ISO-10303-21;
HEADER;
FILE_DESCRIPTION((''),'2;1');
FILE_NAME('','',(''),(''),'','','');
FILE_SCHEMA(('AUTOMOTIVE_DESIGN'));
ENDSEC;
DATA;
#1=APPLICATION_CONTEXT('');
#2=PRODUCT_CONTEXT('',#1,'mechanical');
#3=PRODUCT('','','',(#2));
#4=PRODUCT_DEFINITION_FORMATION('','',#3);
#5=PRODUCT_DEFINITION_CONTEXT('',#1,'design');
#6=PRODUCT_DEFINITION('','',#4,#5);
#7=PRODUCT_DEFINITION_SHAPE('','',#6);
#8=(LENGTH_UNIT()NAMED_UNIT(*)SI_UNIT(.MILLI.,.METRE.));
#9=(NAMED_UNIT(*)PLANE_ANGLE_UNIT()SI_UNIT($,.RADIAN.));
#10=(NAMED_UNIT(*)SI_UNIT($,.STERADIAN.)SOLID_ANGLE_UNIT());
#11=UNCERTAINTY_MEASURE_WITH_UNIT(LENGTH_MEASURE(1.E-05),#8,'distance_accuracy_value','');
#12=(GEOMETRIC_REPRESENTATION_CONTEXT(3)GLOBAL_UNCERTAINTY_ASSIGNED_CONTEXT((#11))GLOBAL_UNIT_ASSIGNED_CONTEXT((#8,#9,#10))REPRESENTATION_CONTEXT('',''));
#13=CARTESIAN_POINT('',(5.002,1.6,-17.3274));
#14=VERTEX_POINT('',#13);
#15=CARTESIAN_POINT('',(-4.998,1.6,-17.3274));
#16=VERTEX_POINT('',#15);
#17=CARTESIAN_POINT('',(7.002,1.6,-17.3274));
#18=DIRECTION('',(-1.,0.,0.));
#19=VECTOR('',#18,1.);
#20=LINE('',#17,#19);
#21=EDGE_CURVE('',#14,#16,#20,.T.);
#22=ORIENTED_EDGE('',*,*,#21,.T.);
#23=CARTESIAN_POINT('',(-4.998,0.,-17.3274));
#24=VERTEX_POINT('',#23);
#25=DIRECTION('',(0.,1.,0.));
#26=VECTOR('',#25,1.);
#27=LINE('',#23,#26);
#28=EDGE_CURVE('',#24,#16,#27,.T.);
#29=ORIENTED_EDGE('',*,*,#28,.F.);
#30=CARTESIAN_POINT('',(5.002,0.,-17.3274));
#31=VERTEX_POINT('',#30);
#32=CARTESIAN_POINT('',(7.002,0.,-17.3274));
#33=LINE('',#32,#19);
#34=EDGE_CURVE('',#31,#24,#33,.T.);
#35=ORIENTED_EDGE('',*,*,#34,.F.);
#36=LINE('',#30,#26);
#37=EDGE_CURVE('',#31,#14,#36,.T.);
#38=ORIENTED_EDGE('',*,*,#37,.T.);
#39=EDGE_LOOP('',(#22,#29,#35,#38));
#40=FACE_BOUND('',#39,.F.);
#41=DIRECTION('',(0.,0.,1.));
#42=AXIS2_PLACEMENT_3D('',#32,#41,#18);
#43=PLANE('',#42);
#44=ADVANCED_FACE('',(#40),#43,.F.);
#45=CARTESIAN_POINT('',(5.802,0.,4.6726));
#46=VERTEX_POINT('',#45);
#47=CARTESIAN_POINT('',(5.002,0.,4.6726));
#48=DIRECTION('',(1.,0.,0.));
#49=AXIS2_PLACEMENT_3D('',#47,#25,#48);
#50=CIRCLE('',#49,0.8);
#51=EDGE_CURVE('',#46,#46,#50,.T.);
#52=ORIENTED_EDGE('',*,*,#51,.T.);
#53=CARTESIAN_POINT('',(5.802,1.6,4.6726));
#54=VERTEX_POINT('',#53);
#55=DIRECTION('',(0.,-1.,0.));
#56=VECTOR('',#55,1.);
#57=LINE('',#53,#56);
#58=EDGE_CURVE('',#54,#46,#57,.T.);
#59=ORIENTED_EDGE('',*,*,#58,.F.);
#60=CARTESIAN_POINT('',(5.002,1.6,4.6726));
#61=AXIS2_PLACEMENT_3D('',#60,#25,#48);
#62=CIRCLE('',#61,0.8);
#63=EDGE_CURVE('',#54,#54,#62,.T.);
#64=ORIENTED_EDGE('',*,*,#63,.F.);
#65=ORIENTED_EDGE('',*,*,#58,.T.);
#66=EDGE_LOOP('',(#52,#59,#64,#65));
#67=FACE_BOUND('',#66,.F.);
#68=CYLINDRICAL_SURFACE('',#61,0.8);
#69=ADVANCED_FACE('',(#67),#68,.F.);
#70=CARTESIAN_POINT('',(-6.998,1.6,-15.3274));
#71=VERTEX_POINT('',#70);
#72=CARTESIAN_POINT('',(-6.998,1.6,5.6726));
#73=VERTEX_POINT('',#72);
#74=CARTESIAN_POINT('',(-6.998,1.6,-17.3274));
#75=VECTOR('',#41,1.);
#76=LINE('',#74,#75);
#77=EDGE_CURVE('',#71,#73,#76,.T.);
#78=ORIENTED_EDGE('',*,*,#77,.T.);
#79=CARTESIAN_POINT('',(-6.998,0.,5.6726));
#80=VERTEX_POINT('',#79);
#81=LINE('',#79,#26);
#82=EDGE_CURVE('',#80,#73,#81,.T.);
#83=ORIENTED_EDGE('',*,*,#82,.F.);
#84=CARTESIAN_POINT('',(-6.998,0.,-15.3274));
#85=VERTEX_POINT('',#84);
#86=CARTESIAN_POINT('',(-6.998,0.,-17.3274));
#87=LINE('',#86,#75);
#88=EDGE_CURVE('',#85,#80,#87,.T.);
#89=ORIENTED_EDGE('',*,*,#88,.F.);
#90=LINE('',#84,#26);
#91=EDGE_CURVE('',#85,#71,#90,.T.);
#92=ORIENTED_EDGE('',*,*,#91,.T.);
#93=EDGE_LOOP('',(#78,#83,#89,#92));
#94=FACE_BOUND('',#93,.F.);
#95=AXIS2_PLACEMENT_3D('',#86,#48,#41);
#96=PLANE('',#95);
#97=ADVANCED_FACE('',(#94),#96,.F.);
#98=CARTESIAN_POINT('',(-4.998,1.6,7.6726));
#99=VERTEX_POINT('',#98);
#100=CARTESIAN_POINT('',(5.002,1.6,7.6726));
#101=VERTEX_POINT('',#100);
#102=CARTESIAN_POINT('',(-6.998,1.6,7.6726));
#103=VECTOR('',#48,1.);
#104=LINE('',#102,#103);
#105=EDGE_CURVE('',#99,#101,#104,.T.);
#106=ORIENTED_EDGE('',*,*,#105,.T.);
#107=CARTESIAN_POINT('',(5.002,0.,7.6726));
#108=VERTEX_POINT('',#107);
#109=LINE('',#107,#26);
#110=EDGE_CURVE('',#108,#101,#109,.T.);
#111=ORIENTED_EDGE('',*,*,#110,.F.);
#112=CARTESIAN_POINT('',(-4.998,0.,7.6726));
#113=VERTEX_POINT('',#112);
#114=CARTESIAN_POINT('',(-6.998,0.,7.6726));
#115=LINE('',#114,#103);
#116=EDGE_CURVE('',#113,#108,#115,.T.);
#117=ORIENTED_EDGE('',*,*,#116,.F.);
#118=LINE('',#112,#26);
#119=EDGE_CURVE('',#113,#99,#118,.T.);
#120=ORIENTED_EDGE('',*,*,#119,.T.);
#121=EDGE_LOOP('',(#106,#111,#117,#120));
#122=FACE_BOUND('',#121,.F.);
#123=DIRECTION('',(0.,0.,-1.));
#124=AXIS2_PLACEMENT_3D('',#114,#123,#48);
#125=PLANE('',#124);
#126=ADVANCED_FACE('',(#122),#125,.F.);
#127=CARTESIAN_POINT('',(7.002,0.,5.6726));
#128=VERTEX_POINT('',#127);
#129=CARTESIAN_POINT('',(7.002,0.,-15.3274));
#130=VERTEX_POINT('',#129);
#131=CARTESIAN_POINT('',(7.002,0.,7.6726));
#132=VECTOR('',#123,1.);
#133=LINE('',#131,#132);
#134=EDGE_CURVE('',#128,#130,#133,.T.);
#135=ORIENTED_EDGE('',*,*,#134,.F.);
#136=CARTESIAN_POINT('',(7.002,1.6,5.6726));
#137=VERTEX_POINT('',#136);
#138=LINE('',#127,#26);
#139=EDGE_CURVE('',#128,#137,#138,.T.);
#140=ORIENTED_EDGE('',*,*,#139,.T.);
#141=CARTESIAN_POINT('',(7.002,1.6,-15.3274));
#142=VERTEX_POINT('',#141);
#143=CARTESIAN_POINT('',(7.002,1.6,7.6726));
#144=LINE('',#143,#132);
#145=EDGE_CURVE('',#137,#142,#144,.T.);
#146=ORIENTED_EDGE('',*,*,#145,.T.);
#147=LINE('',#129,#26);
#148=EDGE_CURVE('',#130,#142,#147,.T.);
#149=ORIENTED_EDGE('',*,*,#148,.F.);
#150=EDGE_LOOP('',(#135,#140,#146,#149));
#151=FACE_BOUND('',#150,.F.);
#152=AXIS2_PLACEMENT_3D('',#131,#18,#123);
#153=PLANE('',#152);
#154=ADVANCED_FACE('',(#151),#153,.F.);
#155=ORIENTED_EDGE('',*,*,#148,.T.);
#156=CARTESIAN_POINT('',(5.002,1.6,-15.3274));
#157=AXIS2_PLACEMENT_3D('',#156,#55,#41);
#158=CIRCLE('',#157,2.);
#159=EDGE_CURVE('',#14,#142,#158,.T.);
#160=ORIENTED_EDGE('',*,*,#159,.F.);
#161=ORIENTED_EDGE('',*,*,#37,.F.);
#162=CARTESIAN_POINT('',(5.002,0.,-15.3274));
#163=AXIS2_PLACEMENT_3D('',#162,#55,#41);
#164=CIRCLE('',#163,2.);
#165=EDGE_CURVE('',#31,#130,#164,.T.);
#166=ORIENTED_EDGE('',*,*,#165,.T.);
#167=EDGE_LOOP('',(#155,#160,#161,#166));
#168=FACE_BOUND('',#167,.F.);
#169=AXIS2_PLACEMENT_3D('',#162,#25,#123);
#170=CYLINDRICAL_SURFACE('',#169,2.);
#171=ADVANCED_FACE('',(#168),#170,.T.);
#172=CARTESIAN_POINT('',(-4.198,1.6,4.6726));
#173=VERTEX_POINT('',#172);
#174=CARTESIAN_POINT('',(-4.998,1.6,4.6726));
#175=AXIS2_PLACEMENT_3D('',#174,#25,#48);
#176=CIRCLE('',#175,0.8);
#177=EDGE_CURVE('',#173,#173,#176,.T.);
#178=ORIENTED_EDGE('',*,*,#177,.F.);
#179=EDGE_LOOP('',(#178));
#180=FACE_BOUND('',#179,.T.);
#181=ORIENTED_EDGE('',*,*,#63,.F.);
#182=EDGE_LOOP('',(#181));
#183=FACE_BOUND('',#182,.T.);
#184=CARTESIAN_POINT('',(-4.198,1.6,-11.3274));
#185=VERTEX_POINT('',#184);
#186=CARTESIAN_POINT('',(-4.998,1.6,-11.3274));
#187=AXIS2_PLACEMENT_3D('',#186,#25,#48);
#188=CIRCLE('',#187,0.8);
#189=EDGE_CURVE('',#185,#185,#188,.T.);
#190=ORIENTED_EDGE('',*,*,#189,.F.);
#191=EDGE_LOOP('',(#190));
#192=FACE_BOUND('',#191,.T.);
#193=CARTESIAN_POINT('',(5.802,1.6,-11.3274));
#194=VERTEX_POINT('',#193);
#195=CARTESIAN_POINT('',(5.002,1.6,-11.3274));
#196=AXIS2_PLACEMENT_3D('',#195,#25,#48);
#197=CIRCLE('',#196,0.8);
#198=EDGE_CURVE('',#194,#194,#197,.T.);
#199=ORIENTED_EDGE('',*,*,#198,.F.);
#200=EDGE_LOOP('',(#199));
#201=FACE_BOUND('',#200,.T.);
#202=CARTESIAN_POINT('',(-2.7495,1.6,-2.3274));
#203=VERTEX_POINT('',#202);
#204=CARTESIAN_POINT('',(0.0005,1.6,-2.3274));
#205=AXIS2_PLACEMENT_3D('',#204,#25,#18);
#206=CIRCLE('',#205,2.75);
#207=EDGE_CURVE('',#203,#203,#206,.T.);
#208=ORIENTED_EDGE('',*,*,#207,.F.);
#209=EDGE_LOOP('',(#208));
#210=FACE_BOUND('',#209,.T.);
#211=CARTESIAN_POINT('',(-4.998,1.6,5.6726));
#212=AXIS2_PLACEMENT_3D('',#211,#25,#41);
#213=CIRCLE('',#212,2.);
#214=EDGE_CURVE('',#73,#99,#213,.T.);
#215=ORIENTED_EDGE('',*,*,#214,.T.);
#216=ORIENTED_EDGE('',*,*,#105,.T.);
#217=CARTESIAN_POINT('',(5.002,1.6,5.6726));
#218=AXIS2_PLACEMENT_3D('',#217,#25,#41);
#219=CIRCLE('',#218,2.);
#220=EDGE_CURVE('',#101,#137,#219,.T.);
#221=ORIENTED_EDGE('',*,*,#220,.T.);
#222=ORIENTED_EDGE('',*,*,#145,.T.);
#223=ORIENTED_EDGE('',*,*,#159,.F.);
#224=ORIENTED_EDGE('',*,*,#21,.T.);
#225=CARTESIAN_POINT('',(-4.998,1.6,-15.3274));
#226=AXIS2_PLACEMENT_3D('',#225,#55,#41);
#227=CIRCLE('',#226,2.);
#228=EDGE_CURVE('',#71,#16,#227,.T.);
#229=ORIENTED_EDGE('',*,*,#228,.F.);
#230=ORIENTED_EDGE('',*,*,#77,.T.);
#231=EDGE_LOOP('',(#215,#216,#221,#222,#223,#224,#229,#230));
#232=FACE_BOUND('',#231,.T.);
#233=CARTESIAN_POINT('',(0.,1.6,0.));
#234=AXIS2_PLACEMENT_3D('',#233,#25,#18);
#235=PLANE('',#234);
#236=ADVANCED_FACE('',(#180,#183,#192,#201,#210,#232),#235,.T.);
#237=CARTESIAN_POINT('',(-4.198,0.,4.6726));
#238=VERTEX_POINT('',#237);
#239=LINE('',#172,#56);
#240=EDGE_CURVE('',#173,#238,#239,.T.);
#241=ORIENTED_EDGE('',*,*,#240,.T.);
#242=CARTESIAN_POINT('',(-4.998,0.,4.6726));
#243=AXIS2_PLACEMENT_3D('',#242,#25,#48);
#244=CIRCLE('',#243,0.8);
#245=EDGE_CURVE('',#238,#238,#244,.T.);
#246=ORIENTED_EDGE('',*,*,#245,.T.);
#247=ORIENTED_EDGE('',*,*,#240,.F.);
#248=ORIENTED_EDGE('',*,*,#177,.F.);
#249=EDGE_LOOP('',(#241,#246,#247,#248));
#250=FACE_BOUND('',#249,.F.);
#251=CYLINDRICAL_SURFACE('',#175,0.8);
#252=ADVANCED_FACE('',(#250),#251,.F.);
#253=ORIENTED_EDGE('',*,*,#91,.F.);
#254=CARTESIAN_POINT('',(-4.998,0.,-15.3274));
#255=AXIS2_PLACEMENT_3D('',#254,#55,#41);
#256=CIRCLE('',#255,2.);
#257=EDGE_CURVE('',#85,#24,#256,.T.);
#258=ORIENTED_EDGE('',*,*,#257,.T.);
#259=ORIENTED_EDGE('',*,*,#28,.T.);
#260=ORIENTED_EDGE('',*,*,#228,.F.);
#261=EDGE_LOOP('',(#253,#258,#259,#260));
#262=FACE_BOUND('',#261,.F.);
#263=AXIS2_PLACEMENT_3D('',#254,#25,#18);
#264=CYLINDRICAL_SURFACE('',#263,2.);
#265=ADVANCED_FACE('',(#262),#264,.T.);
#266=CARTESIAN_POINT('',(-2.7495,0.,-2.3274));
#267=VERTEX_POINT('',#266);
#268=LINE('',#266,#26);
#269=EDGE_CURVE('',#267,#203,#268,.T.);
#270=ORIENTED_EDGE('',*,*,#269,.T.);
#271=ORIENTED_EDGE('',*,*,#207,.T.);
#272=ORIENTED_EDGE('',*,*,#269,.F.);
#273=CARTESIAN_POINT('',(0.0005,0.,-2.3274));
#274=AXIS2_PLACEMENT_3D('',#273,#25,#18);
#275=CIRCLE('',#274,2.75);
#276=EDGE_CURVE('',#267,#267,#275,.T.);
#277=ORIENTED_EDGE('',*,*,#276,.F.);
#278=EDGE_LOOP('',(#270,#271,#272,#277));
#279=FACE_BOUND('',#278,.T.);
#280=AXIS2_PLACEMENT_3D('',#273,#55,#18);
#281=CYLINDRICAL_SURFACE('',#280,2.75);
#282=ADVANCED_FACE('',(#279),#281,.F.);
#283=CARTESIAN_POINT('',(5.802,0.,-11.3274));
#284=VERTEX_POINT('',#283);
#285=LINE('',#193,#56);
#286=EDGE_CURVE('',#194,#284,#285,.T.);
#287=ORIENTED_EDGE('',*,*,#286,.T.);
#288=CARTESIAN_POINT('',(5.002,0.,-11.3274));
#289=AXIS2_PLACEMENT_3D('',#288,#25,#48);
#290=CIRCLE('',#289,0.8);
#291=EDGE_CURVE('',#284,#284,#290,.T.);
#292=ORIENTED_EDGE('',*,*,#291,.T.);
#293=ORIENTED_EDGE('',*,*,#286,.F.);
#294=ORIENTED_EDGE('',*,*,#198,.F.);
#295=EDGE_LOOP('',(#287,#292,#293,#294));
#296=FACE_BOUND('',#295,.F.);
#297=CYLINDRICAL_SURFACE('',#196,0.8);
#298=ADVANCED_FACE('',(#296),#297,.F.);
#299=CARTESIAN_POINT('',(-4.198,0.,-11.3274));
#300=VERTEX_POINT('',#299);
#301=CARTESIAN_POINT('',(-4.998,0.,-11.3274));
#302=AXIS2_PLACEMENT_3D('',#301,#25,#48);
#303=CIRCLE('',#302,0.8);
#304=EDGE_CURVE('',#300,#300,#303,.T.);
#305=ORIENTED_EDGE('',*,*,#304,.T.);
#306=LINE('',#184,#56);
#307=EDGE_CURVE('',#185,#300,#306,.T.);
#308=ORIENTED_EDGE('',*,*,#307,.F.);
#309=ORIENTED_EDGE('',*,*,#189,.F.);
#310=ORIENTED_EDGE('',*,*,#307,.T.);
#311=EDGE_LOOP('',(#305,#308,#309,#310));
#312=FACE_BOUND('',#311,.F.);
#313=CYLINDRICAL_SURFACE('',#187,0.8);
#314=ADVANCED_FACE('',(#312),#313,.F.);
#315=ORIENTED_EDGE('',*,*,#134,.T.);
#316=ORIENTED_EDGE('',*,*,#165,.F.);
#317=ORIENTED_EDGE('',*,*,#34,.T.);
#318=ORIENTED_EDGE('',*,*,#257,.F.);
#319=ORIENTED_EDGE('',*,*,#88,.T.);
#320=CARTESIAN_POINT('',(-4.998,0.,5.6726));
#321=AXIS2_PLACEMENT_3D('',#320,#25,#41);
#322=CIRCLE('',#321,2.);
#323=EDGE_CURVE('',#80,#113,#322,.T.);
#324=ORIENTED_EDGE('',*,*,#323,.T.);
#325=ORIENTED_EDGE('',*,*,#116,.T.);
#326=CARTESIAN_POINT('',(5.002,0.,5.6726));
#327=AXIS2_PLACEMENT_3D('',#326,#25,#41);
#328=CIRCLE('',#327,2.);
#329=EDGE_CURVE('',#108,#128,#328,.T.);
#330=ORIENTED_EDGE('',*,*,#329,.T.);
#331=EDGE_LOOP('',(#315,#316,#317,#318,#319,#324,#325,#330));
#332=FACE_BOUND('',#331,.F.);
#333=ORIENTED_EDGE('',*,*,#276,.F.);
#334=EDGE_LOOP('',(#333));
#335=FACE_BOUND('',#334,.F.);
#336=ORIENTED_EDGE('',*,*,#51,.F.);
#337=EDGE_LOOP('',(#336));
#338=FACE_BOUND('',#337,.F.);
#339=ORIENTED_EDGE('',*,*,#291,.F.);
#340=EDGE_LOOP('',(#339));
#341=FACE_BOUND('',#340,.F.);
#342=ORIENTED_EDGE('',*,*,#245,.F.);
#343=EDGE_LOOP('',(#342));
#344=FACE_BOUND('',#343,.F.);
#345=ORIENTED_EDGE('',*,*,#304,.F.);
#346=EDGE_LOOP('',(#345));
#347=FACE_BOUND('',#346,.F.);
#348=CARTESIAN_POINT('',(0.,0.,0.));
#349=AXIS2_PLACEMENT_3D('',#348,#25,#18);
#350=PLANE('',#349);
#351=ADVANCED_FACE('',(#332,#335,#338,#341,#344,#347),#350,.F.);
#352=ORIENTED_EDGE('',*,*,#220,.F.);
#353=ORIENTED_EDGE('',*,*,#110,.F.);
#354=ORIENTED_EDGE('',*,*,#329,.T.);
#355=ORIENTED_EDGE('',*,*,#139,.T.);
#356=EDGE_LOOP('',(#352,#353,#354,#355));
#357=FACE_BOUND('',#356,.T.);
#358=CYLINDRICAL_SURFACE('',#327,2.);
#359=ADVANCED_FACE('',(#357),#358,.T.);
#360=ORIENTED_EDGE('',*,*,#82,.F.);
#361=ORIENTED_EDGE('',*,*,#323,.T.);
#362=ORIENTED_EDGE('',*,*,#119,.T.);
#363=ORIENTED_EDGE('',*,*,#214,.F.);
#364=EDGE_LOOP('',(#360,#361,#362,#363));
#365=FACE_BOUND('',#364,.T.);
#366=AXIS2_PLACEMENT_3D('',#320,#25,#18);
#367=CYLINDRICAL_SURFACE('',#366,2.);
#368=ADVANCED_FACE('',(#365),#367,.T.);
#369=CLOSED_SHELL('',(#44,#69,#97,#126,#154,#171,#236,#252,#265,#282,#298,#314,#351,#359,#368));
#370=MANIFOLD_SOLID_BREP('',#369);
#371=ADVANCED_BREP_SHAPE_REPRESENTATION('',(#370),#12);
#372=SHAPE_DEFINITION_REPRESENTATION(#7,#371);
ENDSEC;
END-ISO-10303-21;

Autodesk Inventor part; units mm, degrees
ref_plane "YZ Plane" through (0, 0, 0) normal (1, 0, 0) x (0, 1, 0)
ref_plane "XZ Plane" through (0, 0, 0) normal (0, 1, 0) x (-1, 0, 0)
ref_plane "XY Plane" through (0, 0, 0) normal (0, 0, 1) x (1, 0, 0)
sketch "Sketch1" plane through (0, 0, 0) normal (0, 1, 0) x (-1, 0, 0)
  line L0 (-4.5005, -6.5) -> (-3.283, -6.5)
  line L1 (-3.283, -6.5) -> (-2.9693, -6.948)
  line L2 (-2.9693, -6.948) -> (-2.9693, -8.2299)
  line L3 (-2.9693, -8.2299) -> (-2.0718, -8.2299)
  line L4 (-2.0718, -8.2299) -> (-2.0718, -7.0351)
  line L5 (-2.0718, -7.0351) -> (-1.8086, -6.5)
  line L6 (-1.8086, -6.5) -> (-0.6909, -6.5)
  line L7 (-0.6909, -6.5) -> (-0.4278, -7.0351)
  line L8 (-0.4278, -7.0351) -> (-0.4278, -8.2299)
  line L9 (-0.4278, -8.2299) -> (0.4698, -8.2299)
  line L10 (0.4698, -8.2299) -> (0.4698, -6.948)
  line L11 (0.4698, -6.948) -> (0.7835, -6.5)
  line L12 (0.7835, -6.5) -> (1.8077, -6.5)
  line L13 (1.8077, -6.5) -> (2.0708, -7.0351)
  line L14 (2.0708, -7.0351) -> (2.0708, -8.2299)
  line L15 (2.0708, -8.2299) -> (2.9683, -8.2299)
  line L16 (2.9683, -8.2299) -> (2.9683, -6.948)
  line L17 (2.9683, -6.948) -> (3.2821, -6.5)
  line L18 (3.2821, -6.5) -> (4.4995, -6.5)
  line L19 (4.4995, -6.5) -> (5.4995, -5.5)
  line L20 (5.4995, -5.5) -> (5.4995, 1.9247)
  line L21 (5.4995, 1.9247) -> (2.4995, 5.5)
  line L22 (2.4995, 5.5) -> (0.4698, 5.5)
  line L23 (0.4698, 5.5) -> (0.4698, 6.6191)
  line L24 (0.4698, 6.6191) -> (-0.4278, 6.6191)
  line L25 (-0.4278, 6.6191) -> (-0.4278, 5.5)
  line L26 (-0.4278, 5.5) -> (-2.5005, 5.5)
  line L27 (-2.5005, 5.5) -> (-5.5005, 1.9247)
  line L28 (-5.5005, 1.9247) -> (-5.5005, -5.5)
  line L29 (-5.5005, -5.5) -> (-4.5005, -6.5)
  circle A0 centre (-0.0005, -2.3274) radius 0.7145
  line L30 (6.998, 7.6726) -> (-7.002, 7.6726)
  line L31 (-7.002, 7.6726) -> (-7.002, -17.3274)
  line L32 (-7.002, -17.3274) -> (6.998, -17.3274)
  line L33 (6.998, -17.3274) -> (6.998, 7.6726)
  circle A1 centre (-0.0005, -2.3274) radius 2.75
  line L34 (-0.002, -21.2436) -> (-0.002, 13.4129) construction
  point P0 (-0.002, -0.846)
  dimension "d0" = 14
  dimension "d1" = 25
  dimension "d2" = 5.5
  dimension "d19" = 7
  dimension "d22" = 10
extrude "Extrusion1" add sketch "Sketch1" along normal blind 1.6 contours L29 L28 L27 L26 L25 L24 L23 L22 L21 L20 L19 L18 L17 L16 L15 L14 L13 L12 L11 L10 L9 L8 L7 L6 L5 L4 L3 L2 L1 L0 | L33 L32 L31 L30
sketch "Sketch2" plane through (0, 1.6, 0) normal (0, 1, 0) x (1, 0, 0)
  line L0 (-6.998, 17.3274) -> (-6.998, -7.6726) projected
  line L1 (7.002, 17.3274) -> (-6.998, 17.3274) projected
  line L2 (-6.998, -7.6726) -> (7.002, -7.6726)
  line L3 (7.002, -7.6726) -> (7.002, 17.3274)
  line L4 (7.002, 17.3274) -> (-6.998, 17.3274)
  line L5 (-6.998, 17.3274) -> (-6.998, -7.6726)
  circle A0 centre (5.002, -4.6726) radius 0.8
  circle A1 centre (5.002, 11.3274) radius 0.8
  circle A2 centre (-4.998, 11.3274) radius 0.8
  circle A3 centre (-4.998, -4.6726) radius 0.8
  point P0 (0, 0)
  dimension "d5" = 1.6
  dimension "d6" = 1.6
  dimension "d7" = 1.6
  dimension "d8" = 1.6
  dimension "d9" = 2
  dimension "d10" = 3
  dimension "d11" = 3
  dimension "d12" = 2
  dimension "d13" = 2
  dimension "d15" = 2
  dimension "d20" = 16
  dimension "d21" = 16
extrude "Extrusion2" cut sketch "Sketch2" against normal blind 1.6 contours A0 | A1 | A2 | A3
fillet "Fillet1" radius 2 4 edges at (-6.998, 0.8, 7.6726) (7.002, 0.8, 7.6726) (-6.998, 0.8, -17.3274) (7.002, 0.8, -17.3274)
equation "\"d19\" = 0.5 * d0"
equation "\"d5\" = d7"
equation "\"d6\" = d7"
equation "\"d8\" = d7"
equation "\"d10\" = d11"
equation "\"d20\" = d21"
properties part number "potentiometerpcb"
